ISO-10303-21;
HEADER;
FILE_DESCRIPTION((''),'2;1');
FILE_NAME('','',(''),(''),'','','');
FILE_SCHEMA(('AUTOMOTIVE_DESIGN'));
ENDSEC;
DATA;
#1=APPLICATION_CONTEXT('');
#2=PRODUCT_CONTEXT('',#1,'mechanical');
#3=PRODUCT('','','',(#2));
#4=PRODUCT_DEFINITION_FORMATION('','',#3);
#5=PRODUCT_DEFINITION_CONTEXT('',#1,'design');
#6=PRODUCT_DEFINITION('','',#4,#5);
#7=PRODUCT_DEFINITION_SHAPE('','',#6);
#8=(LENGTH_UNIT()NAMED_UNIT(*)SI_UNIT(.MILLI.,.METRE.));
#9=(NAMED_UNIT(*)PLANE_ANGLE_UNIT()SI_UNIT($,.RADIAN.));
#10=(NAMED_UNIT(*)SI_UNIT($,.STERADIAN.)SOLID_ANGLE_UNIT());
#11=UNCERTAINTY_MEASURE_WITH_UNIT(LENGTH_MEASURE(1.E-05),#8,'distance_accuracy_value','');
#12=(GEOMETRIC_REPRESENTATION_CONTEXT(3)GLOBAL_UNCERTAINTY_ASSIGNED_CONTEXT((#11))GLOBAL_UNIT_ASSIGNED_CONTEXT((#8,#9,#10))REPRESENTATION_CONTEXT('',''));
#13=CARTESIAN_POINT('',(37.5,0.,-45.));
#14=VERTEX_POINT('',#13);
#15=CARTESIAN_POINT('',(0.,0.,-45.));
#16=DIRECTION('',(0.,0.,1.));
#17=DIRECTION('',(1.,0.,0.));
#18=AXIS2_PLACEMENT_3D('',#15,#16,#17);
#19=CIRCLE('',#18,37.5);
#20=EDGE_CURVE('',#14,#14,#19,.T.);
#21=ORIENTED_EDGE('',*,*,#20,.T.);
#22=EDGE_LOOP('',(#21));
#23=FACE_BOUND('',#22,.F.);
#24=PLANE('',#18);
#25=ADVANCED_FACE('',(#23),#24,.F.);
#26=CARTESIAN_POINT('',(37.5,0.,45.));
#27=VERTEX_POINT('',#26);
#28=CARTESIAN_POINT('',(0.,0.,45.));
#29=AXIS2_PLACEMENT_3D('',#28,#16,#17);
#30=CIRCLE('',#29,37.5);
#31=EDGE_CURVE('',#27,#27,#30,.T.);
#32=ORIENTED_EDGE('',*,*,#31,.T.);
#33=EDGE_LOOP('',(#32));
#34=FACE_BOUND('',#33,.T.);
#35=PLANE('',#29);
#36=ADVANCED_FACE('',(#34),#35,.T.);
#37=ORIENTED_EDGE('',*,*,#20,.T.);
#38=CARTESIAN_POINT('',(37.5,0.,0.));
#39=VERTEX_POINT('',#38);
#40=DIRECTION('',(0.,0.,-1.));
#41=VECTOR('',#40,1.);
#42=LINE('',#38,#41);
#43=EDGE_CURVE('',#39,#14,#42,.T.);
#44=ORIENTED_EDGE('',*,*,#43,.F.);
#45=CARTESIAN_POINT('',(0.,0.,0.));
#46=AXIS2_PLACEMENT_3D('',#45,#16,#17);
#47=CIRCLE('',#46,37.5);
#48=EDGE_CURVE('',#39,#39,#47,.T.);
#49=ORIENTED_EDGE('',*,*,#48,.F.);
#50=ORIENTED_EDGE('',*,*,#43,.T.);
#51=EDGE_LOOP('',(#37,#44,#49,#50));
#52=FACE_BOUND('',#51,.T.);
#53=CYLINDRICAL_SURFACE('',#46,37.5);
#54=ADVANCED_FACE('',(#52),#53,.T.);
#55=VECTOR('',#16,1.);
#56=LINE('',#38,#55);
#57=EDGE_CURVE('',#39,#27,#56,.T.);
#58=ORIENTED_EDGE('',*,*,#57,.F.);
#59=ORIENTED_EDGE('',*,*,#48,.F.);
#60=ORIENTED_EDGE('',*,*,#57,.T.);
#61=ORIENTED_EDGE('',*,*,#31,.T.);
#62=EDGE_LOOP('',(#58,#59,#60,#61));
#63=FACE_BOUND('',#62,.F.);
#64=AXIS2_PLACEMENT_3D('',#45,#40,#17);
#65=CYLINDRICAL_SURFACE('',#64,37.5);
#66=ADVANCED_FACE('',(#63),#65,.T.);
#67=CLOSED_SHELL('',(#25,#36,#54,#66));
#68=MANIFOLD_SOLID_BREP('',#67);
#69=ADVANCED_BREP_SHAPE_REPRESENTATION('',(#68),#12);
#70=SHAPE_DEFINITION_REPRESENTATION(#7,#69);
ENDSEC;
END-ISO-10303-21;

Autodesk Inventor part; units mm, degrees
ref_plane "YZ Plane" through (0, 0, 0) normal (1, 0, 0) x (0, 1, 0)
ref_plane "XZ Plane" through (0, 0, 0) normal (0, 1, 0) x (-1, 0, 0)
ref_plane "XY Plane" through (0, 0, 0) normal (0, 0, 1) x (1, 0, 0)
sketch "Эскиз1" plane through (0, 0, 0) normal (0, 0, 1) x (1, 0, 0)
  circle A0 centre (0, 0) radius 37.5
  dimension "d0" = 75
extrude "Выдавливание1" add sketch "Эскиз1" along normal mid plane 90
properties part number "Редуктор (прикидка)"
